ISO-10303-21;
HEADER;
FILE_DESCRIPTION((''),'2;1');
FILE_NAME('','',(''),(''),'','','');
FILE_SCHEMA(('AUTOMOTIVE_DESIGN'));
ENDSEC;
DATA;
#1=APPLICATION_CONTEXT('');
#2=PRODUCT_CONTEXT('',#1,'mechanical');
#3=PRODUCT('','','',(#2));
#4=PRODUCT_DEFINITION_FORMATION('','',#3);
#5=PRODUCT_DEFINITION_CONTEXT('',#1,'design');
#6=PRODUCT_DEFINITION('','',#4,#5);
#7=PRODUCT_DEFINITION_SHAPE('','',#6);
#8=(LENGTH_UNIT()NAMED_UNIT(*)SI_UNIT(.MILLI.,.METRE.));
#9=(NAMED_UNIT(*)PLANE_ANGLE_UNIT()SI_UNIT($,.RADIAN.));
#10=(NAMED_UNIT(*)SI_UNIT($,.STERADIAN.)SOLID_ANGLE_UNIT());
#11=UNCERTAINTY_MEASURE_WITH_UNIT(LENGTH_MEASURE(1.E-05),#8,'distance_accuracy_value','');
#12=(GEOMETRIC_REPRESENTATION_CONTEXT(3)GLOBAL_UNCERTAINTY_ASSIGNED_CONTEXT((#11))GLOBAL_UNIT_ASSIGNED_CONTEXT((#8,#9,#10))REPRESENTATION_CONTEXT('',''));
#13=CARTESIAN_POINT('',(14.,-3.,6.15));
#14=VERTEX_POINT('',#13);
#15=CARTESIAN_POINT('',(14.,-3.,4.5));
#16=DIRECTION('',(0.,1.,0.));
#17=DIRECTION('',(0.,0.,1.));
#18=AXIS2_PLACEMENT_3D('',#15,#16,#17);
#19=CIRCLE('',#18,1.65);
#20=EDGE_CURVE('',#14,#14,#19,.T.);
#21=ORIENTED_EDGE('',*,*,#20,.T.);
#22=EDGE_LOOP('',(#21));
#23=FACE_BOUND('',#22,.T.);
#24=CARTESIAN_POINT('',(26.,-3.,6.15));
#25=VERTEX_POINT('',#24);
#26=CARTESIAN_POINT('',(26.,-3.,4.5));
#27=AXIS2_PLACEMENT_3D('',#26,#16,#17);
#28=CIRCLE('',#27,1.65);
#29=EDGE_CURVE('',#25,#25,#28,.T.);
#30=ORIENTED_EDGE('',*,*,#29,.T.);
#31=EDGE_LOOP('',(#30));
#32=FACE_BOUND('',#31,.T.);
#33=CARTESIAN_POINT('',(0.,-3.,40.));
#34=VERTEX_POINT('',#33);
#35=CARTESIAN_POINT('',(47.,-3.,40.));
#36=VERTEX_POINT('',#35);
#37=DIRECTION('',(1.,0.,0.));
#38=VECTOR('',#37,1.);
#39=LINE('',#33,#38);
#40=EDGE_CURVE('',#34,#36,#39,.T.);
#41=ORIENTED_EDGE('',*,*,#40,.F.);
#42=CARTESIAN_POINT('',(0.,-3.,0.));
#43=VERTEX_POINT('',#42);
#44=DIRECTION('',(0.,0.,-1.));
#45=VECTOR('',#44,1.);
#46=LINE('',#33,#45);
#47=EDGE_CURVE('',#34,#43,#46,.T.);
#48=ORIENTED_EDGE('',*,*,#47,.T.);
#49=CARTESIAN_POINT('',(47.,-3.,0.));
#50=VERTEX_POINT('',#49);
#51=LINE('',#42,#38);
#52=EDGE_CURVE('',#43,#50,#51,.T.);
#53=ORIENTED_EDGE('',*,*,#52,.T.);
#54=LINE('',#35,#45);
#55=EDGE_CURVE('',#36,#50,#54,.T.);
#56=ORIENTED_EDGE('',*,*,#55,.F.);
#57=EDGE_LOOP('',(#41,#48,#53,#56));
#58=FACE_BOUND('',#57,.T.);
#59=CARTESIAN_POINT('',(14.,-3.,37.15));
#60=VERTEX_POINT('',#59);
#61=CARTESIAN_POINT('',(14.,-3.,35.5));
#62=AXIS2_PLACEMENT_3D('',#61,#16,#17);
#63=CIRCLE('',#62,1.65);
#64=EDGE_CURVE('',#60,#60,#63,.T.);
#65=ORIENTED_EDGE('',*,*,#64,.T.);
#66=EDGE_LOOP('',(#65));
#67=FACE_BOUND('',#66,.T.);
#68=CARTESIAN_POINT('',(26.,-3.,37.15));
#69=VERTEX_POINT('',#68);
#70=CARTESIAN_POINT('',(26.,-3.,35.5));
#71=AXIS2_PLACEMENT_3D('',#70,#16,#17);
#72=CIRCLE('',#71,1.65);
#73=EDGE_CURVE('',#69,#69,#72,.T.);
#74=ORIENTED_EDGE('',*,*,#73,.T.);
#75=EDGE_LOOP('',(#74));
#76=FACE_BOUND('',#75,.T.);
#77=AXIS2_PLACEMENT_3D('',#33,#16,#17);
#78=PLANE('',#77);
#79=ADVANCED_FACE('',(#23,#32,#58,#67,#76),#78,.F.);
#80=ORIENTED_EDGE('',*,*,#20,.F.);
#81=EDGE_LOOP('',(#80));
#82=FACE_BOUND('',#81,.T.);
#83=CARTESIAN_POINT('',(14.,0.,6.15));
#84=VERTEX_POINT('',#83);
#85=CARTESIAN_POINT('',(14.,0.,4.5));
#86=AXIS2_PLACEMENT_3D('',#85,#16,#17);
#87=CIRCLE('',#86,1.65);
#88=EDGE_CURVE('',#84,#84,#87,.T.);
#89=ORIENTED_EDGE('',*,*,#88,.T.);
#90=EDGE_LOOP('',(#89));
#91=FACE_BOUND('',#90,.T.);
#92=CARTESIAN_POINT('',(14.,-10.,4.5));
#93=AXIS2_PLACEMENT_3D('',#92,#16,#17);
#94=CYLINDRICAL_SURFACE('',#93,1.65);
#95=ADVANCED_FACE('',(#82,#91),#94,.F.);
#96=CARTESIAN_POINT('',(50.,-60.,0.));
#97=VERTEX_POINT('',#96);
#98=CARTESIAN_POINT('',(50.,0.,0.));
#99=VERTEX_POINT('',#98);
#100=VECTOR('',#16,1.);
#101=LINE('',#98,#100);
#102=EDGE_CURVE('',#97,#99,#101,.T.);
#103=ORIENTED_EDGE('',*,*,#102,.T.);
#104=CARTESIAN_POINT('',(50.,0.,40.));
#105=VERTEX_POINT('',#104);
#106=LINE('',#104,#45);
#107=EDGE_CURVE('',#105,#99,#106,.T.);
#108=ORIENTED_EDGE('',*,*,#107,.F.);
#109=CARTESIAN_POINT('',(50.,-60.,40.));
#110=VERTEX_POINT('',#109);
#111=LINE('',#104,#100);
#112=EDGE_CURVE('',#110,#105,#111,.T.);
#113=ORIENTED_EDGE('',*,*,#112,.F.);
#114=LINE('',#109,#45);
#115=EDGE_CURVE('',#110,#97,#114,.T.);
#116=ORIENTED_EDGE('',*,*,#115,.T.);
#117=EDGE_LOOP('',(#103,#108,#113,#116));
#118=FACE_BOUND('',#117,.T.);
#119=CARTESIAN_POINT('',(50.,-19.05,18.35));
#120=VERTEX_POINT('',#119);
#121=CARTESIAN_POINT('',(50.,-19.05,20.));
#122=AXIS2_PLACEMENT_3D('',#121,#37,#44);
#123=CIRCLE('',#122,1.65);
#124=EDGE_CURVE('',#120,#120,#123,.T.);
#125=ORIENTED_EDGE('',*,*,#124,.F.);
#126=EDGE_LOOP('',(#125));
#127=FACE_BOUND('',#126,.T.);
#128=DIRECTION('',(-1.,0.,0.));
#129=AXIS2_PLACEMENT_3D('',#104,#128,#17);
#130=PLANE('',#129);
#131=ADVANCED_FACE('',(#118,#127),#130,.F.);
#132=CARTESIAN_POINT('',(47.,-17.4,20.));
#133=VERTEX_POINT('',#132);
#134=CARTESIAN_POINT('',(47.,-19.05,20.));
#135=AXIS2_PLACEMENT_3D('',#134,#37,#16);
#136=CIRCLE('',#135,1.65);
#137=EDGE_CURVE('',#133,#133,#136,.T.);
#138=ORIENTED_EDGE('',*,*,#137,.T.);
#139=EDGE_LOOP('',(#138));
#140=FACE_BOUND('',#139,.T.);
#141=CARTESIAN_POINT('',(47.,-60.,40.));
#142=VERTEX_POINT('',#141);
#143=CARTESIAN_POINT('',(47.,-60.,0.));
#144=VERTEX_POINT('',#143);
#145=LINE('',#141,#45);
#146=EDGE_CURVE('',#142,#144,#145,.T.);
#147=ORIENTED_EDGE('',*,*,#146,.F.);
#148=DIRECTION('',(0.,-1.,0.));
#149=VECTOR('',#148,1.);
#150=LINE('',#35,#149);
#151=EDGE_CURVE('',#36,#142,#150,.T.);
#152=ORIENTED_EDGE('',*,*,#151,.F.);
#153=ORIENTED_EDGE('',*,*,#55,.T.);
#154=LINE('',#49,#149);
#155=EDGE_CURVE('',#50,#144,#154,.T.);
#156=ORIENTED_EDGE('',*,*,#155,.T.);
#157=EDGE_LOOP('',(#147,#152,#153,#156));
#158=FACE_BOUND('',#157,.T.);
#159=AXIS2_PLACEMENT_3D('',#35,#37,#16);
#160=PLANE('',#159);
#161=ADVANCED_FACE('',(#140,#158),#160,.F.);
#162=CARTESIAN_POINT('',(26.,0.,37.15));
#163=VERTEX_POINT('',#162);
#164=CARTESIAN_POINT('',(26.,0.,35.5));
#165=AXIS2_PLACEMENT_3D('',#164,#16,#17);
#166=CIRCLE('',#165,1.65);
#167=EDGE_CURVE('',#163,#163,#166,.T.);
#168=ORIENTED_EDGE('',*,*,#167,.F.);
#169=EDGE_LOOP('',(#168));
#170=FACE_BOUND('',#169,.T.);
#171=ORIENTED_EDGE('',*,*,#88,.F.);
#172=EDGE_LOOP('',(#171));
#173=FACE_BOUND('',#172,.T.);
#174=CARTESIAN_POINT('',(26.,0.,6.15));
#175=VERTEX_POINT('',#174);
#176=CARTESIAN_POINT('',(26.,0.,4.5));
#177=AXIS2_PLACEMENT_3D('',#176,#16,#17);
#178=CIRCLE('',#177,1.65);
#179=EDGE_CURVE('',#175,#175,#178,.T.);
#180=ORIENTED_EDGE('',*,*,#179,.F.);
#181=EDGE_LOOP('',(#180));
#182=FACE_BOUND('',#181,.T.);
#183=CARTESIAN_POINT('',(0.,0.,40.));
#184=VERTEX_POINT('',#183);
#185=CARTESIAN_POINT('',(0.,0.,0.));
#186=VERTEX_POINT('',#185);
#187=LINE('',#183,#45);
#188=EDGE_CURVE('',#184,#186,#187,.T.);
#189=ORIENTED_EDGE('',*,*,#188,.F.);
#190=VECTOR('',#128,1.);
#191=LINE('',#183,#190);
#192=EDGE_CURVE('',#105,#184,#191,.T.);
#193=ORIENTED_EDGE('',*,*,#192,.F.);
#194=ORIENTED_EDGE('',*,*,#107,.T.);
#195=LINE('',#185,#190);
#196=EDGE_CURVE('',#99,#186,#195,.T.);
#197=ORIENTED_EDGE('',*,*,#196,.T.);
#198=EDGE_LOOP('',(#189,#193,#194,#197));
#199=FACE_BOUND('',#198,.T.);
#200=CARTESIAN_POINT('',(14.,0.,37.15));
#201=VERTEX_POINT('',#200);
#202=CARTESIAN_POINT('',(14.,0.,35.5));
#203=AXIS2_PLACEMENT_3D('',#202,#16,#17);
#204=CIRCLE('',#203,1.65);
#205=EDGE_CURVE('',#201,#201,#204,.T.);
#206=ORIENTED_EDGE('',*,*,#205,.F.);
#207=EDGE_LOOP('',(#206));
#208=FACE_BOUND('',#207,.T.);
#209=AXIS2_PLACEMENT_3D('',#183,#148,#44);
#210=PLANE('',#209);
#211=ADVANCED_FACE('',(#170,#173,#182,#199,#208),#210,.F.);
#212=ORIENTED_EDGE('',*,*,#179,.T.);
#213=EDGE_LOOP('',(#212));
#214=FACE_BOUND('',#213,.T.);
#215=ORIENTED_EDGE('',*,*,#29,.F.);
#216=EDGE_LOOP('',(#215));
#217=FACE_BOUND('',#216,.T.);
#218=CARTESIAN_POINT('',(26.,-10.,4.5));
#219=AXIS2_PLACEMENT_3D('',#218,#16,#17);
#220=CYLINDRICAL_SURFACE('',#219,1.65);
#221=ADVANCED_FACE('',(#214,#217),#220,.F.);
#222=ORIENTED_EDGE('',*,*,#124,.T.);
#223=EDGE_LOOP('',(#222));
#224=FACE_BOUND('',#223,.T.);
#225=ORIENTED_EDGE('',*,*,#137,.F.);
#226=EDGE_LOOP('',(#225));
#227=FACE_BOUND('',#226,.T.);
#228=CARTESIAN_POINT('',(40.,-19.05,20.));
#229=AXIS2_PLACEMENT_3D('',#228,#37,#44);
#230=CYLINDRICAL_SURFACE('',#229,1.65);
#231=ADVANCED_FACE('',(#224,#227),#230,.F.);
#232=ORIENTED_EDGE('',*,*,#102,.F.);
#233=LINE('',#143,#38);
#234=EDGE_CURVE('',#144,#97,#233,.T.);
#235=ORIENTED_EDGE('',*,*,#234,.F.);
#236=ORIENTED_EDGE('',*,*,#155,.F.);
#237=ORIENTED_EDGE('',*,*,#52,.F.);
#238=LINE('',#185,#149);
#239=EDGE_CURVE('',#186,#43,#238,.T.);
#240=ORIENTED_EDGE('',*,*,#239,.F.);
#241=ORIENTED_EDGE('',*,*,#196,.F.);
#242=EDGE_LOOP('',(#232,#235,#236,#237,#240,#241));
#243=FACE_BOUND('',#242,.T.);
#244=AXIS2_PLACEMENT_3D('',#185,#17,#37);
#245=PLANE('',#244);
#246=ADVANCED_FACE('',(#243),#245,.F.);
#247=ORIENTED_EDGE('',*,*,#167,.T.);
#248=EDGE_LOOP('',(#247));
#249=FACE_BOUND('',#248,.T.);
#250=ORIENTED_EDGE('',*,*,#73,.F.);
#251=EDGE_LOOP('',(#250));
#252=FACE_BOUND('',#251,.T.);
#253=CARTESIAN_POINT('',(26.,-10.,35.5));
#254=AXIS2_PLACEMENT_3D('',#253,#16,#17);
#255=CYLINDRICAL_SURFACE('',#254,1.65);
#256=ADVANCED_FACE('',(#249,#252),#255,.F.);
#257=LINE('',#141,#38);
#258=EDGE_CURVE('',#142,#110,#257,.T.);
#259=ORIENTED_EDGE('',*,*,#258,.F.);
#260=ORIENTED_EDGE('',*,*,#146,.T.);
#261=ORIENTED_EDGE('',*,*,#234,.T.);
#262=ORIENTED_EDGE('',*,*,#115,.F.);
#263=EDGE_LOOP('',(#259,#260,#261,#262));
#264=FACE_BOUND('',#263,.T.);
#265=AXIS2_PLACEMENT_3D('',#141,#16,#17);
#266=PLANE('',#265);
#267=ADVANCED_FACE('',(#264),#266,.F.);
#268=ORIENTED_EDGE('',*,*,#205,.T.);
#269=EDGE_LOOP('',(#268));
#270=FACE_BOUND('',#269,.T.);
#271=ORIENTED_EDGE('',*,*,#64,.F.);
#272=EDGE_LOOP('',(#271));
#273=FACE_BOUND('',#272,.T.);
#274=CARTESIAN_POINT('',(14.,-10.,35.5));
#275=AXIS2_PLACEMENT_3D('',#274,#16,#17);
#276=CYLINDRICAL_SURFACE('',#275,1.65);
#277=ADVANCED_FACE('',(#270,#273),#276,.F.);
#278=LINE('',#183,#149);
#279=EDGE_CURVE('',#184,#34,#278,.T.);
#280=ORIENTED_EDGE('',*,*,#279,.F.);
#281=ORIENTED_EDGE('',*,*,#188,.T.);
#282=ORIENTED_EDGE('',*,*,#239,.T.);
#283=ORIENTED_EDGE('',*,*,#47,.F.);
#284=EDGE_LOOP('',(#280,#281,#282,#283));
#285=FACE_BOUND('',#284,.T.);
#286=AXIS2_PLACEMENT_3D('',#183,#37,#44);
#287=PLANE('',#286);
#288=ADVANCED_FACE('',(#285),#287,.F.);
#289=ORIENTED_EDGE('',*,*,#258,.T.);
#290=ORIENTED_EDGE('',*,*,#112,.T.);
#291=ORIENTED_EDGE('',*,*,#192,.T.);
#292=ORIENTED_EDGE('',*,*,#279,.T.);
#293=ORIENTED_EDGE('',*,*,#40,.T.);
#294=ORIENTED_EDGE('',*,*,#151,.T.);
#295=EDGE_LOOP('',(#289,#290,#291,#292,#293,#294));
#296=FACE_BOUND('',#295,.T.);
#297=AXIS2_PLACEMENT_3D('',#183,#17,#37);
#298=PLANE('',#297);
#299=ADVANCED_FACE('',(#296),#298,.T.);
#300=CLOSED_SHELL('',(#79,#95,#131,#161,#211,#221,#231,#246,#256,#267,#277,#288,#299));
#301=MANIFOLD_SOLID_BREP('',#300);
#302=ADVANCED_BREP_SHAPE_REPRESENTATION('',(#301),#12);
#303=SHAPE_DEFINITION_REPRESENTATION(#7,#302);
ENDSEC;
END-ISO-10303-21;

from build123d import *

# Parameters (mm, degrees)
EXTRUDE_1_DEPTH     = 40
SKETCH_2_R          = 1.65
CUT_EXTRUDE_1_DEPTH = 10
SKETCH_3_R          = 1.65
CUT_EXTRUDE_2_DEPTH = 10


with BuildPart() as part:
    # 草图1 → 凸台-拉伸1 (new body)
    with BuildSketch(Plane.XY):
        Polygon((0, 0), (50, 0), (50, -60), (47, -60), (47, -3), (0, -3), align=None)
    extrude(amount=EXTRUDE_1_DEPTH)

    # 草图2 → 切除-拉伸1 (cut)
    with BuildSketch(Plane(origin=(0, 0, 0), x_dir=(1, 0, 0), z_dir=(0, 1, 0))):
        with Locations((14, -4.5)):
            Circle(SKETCH_2_R)
        with Locations((14, -35.5)):
            Circle(SKETCH_2_R)
        with Locations((26, -4.5)):
            Circle(SKETCH_2_R)
        with Locations((26, -35.5)):
            Circle(SKETCH_2_R)
    extrude(amount=-CUT_EXTRUDE_1_DEPTH, mode=Mode.SUBTRACT)

    # 草图3 → 切除-拉伸2 (cut)
    with BuildSketch(Plane(origin=(50, 0, 0), x_dir=(0, 0, -1), z_dir=(1, 0, 0))):
        with Locations((-20, -19.05)):
            Circle(SKETCH_3_R)
    extrude(amount=-CUT_EXTRUDE_2_DEPTH, mode=Mode.SUBTRACT)


solid = part.part
